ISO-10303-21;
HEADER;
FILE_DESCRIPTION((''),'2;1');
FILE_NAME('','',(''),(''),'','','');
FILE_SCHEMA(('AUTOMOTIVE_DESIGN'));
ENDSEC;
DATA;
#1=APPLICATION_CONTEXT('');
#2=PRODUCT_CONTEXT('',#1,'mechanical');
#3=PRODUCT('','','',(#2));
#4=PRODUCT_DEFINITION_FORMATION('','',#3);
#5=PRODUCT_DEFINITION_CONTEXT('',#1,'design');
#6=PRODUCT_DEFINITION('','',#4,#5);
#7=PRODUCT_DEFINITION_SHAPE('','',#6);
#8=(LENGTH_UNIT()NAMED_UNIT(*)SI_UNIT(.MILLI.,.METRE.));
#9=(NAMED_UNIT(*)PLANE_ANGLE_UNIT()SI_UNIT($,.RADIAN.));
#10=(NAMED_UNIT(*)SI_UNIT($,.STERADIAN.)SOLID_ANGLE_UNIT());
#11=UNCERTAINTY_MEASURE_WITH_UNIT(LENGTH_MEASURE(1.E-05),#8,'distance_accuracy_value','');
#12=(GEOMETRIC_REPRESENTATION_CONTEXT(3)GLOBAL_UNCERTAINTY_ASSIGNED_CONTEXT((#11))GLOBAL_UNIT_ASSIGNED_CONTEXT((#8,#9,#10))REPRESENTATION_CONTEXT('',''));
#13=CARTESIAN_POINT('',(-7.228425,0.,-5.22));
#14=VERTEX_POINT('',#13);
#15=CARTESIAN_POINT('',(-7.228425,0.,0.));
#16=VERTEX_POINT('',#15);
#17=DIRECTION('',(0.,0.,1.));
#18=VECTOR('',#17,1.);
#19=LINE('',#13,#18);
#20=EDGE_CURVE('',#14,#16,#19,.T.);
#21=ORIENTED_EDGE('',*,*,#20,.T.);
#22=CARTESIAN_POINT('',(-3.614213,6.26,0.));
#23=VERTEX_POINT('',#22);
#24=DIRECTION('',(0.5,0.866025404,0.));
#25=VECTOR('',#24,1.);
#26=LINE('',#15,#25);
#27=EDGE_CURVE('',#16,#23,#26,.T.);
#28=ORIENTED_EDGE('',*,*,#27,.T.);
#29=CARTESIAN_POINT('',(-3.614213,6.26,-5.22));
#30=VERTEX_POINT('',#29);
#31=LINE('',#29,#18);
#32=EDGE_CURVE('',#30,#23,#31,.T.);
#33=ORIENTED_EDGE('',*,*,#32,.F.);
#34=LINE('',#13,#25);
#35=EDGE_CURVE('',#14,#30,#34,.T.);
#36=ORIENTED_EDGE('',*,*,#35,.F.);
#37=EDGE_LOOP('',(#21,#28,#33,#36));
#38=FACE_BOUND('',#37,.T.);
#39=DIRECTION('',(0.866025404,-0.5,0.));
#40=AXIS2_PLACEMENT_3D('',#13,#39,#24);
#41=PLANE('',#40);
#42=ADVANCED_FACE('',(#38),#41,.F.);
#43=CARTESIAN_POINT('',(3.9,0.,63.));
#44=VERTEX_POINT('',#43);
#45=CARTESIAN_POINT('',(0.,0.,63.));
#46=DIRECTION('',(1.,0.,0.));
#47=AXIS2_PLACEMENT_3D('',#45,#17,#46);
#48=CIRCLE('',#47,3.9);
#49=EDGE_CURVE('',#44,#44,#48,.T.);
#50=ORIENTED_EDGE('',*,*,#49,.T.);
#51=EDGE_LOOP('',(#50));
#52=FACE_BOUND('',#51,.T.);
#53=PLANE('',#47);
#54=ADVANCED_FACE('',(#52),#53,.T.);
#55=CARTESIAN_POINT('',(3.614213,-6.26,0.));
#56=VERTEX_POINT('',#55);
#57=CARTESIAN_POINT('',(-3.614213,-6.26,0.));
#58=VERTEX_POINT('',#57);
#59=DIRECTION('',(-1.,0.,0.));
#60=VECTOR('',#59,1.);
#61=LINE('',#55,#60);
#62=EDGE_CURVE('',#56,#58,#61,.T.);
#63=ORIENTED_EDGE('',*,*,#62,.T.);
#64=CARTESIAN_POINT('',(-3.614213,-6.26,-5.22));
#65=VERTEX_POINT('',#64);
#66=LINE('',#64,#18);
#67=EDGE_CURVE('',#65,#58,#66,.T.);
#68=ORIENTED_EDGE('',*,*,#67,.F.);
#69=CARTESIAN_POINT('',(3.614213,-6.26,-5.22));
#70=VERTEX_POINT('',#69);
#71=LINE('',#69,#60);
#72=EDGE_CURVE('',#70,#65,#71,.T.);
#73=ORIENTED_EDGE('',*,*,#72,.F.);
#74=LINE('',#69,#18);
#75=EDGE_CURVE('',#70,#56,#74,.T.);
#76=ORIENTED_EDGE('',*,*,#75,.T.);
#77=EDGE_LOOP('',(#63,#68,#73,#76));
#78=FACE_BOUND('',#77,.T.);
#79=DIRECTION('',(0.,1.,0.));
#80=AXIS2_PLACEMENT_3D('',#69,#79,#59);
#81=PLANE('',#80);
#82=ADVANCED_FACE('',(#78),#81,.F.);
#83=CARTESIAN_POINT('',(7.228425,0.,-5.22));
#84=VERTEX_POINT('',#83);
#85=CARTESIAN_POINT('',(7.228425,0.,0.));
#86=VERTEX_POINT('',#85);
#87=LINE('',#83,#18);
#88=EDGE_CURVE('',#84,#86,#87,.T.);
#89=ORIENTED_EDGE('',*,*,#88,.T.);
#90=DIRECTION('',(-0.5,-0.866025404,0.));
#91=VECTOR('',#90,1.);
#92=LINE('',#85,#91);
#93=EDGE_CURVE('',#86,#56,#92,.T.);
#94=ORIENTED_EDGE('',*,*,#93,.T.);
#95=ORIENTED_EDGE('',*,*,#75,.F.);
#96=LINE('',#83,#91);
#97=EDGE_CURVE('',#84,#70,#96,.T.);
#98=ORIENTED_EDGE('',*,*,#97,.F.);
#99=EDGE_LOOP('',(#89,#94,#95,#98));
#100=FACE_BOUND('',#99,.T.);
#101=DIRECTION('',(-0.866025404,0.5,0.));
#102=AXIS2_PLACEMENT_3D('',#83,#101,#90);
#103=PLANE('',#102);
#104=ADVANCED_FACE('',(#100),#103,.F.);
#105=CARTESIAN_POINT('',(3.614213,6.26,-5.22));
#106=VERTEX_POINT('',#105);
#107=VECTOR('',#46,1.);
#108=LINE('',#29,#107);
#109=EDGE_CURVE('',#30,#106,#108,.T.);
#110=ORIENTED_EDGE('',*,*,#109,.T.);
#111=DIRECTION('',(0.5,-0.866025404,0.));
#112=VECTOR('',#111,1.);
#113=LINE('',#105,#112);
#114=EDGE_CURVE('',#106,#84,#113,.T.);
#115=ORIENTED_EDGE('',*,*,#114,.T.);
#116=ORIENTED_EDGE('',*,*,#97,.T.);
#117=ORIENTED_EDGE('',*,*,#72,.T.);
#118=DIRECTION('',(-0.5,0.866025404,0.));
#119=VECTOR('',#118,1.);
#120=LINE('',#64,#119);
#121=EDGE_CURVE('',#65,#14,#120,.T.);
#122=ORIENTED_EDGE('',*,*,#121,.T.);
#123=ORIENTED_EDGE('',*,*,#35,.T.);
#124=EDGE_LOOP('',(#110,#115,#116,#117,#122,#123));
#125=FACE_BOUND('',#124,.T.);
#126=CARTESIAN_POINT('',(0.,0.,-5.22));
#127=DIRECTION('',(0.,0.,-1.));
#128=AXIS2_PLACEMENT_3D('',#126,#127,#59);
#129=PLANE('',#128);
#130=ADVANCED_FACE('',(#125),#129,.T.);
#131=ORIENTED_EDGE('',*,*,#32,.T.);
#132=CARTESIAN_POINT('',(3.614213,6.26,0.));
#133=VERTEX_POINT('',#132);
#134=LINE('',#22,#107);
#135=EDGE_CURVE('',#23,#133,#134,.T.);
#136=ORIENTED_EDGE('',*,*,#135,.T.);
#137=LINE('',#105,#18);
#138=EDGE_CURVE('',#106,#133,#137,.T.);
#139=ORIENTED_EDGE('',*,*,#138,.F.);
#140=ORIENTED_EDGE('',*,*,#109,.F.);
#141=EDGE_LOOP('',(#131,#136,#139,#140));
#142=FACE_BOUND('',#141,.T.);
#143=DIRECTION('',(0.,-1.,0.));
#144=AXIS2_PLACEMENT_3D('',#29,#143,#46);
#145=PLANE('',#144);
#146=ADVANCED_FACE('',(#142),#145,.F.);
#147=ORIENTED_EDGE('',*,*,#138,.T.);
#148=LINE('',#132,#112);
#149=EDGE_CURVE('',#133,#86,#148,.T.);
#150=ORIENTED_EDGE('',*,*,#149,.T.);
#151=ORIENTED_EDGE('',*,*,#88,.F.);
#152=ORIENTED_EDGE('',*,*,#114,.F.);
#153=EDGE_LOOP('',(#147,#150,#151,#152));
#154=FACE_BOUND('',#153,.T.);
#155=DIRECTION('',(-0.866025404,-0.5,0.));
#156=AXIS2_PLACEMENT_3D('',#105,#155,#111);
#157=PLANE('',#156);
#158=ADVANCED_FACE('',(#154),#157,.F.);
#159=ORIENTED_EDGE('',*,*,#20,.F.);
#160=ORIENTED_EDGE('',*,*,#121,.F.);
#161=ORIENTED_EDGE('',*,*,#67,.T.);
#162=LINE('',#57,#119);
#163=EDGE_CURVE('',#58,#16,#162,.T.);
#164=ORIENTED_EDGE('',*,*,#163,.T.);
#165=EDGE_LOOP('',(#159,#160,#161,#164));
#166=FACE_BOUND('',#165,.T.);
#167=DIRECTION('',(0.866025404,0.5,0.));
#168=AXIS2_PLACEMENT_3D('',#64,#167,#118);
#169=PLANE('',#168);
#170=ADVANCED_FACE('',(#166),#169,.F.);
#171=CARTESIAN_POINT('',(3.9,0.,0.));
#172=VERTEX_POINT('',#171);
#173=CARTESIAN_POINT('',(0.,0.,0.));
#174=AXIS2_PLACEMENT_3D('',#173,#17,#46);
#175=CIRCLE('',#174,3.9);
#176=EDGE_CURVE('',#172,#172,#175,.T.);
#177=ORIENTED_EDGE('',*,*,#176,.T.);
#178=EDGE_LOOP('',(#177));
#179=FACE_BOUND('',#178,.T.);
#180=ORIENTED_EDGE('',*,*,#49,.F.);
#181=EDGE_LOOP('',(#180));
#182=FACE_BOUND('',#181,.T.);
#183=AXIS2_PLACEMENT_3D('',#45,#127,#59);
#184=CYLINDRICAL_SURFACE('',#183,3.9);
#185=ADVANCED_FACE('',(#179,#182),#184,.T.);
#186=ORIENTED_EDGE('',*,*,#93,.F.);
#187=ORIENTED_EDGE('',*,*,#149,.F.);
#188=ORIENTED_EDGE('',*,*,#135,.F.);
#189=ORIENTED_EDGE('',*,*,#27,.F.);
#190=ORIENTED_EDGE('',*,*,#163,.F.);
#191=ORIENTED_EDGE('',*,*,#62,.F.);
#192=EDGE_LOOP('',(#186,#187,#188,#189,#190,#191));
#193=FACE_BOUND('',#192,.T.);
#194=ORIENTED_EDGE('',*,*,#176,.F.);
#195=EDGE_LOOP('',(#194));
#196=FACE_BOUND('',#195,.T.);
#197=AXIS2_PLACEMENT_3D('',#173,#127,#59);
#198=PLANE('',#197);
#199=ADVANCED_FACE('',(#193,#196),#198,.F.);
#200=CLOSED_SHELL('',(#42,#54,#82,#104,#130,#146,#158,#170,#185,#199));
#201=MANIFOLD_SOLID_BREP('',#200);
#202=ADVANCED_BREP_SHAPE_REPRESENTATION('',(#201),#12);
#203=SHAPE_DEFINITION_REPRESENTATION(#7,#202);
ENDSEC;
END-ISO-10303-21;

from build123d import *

# Parameters (mm, degrees)
SKETCH1_R           = 3.9
BOSS_EXTRUDE1_DEPTH = 63
BOSS_EXTRUDE2_DEPTH = 5.22


with BuildPart() as part:
    # Sketch1 → Boss-Extrude1 (new body)
    with BuildSketch(Plane.XY):
        Circle(SKETCH1_R)
    extrude(amount=BOSS_EXTRUDE1_DEPTH)

    # Sketch2 → Boss-Extrude2 (add)
    with BuildSketch(Plane(origin=(0, 0, 0), x_dir=(-1, 0, 0), z_dir=(0, 0, -1))):
        Polygon((3.614212685, -6.26), (7.22842537, 0), (3.614212685, 6.26), (-3.614212685, 6.26), (-7.22842537, 0), (-3.614212685, -6.26), align=None)
    extrude(amount=BOSS_EXTRUDE2_DEPTH)


solid = part.part
